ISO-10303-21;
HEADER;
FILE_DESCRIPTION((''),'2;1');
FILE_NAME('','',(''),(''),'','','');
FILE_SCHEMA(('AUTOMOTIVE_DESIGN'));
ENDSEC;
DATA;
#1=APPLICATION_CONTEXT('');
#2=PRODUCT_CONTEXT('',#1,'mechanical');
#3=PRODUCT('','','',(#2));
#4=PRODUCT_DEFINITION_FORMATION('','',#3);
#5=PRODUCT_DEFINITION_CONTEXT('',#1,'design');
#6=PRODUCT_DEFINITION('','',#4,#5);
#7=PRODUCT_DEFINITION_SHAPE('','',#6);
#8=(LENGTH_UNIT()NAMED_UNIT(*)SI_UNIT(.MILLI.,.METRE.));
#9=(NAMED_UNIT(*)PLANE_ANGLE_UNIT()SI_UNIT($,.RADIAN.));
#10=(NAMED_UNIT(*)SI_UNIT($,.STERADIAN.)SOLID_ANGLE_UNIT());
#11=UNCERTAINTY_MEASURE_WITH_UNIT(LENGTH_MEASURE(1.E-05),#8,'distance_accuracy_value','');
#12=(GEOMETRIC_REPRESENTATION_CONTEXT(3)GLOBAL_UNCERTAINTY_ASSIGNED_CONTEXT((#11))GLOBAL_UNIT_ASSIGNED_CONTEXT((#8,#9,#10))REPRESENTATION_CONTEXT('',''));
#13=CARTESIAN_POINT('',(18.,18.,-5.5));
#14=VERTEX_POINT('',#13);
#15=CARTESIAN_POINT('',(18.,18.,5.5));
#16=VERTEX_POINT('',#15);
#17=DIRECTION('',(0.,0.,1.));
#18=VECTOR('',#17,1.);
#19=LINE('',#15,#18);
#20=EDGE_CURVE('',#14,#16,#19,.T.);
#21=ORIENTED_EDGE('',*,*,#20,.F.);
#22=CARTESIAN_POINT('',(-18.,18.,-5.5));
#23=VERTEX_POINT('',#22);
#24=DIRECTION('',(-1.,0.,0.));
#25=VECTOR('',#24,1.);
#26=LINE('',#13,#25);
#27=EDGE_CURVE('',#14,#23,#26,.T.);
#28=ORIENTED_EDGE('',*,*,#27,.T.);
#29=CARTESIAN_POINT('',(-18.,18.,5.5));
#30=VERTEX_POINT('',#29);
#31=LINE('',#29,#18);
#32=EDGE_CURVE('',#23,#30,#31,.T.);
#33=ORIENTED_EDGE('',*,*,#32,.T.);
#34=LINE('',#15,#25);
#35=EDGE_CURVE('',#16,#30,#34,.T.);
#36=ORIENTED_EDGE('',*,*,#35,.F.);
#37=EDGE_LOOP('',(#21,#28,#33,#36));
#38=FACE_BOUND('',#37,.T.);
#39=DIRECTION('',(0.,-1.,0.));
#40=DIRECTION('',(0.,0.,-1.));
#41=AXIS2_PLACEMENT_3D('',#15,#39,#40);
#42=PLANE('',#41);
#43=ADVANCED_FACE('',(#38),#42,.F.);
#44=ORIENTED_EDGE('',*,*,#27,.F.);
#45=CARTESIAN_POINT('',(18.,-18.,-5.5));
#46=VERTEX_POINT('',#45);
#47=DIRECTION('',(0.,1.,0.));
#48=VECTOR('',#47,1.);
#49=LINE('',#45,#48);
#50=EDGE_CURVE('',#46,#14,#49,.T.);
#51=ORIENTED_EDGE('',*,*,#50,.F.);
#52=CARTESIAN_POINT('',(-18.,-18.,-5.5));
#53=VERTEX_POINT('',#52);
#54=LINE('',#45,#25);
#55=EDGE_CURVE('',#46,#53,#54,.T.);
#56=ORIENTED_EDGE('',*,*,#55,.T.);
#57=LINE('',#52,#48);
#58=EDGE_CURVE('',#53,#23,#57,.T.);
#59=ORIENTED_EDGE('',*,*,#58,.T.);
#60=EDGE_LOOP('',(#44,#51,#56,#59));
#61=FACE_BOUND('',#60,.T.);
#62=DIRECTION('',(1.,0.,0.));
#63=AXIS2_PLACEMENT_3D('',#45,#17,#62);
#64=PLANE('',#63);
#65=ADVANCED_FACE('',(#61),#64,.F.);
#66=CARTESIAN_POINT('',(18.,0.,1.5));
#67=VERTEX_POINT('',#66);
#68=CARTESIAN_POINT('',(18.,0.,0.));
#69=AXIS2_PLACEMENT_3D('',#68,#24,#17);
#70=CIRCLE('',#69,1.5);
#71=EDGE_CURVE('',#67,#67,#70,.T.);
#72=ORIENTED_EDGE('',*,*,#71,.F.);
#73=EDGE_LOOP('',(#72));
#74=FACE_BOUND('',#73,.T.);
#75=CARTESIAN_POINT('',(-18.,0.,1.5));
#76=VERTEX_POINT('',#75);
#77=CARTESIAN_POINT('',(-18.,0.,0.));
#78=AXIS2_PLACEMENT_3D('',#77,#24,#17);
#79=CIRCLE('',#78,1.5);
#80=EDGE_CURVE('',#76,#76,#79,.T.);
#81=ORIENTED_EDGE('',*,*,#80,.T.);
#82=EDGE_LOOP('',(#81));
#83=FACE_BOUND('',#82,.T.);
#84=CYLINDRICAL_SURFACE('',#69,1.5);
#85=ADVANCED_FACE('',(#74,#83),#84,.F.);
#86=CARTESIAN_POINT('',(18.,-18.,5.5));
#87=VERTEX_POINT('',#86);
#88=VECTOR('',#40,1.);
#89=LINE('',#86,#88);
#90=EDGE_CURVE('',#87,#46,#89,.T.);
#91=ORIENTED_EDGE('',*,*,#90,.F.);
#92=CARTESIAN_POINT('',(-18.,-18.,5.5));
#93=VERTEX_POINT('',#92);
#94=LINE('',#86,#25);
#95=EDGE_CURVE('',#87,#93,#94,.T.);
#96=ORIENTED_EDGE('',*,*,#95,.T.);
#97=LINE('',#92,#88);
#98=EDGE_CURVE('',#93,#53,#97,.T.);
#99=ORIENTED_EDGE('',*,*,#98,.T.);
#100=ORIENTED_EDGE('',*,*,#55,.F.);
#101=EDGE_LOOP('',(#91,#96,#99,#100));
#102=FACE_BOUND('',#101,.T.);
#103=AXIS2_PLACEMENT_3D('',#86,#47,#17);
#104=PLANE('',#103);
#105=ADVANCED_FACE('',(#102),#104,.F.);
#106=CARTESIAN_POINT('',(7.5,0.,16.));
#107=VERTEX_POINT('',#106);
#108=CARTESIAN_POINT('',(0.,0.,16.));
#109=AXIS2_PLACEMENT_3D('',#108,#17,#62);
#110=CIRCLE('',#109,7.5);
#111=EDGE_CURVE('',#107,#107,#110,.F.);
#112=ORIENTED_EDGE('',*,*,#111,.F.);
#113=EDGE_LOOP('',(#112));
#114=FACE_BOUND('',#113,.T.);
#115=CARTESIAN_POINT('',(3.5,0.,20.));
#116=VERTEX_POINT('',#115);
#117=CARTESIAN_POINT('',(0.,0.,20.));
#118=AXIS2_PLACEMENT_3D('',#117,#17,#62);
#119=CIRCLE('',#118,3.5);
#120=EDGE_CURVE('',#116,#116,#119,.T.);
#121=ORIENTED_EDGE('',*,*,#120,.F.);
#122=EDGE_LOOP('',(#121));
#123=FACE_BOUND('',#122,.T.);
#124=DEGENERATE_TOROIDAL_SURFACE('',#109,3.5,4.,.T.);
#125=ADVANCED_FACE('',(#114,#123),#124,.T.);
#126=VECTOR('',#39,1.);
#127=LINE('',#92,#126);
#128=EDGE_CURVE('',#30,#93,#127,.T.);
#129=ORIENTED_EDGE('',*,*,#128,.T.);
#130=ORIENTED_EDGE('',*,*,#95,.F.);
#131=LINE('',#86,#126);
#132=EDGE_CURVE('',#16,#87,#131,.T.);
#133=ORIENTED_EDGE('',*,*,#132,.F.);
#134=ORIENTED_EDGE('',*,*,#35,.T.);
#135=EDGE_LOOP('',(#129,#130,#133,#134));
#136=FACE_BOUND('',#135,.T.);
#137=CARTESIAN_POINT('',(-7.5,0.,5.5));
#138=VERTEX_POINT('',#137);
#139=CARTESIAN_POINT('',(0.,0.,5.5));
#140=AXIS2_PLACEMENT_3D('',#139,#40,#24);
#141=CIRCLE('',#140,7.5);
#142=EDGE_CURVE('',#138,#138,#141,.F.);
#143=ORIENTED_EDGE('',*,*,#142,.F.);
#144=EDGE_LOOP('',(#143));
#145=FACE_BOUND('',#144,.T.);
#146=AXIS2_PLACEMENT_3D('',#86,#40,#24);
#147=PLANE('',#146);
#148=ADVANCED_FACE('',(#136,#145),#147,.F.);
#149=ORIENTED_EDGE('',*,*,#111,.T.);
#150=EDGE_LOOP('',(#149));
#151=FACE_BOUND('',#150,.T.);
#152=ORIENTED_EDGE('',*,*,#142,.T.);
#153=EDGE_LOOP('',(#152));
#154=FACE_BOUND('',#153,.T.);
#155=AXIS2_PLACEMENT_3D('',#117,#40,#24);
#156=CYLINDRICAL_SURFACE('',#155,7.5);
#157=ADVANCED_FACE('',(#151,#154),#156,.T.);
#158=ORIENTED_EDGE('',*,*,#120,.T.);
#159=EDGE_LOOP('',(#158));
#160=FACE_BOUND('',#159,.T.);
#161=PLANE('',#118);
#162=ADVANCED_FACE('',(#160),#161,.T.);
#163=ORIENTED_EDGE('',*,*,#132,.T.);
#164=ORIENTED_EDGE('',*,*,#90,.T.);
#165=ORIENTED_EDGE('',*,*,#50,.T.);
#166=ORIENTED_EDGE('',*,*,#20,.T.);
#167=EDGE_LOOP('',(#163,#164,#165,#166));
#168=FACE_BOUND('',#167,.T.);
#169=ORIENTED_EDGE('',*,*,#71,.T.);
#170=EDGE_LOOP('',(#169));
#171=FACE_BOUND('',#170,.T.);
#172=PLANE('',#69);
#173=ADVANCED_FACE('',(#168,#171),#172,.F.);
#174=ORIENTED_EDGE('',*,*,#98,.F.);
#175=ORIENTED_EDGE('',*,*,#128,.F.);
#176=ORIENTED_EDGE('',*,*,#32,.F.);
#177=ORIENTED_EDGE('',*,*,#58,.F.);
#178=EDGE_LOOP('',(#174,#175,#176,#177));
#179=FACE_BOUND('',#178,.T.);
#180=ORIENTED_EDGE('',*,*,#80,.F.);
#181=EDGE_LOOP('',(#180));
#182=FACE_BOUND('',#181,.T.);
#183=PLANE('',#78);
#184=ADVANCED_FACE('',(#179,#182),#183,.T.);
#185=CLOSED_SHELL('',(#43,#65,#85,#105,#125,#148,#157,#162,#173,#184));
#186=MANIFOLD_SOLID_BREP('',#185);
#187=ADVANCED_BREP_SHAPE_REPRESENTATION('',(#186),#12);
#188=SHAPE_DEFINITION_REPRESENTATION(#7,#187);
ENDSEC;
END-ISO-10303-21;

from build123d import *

# Parameters (mm, degrees)
SKETCH_1_W          = 11
SKETCH_1_H          = 36
EXTRUDE_1_DEPTH     = 18
SKETCH_2_R          = 7.5
EXTRUDE_2_DEPTH     = 20
FILLET_3_R          = 4
SKETCH_3_R          = 1.5
CUT_EXTRUDE_1_DEPTH = 45.944410108


with BuildPart() as part:
    # 草图1 → 凸台-拉伸1 (new, symmetric)
    with BuildSketch(Plane(origin=(0, 0, 0), x_dir=(0, 0, -1), z_dir=(1, 0, 0))):
        Rectangle(SKETCH_1_W, SKETCH_1_H)
    extrude(amount=EXTRUDE_1_DEPTH, both=True)

    # 草图2 → 凸台-拉伸2 (add)
    with BuildSketch(Plane.XY):
        with Locations(Location((0, 0, 0), (0, 0, 180))):
            Circle(SKETCH_2_R)
    extrude(amount=EXTRUDE_2_DEPTH)

    # 圆角3
    fillet_3_edges = [part.edges().sort_by_distance(p)[0] for p in [
        (7.5, 0, 20),
    ]]
    fillet(fillet_3_edges, radius=FILLET_3_R)

    # 草图3 → 切除-拉伸1 (cut, through all)
    with BuildSketch(Plane.ZY.offset(18)):
        Circle(SKETCH_3_R)
    extrude(amount=-CUT_EXTRUDE_1_DEPTH, mode=Mode.SUBTRACT)


solid = part.part
